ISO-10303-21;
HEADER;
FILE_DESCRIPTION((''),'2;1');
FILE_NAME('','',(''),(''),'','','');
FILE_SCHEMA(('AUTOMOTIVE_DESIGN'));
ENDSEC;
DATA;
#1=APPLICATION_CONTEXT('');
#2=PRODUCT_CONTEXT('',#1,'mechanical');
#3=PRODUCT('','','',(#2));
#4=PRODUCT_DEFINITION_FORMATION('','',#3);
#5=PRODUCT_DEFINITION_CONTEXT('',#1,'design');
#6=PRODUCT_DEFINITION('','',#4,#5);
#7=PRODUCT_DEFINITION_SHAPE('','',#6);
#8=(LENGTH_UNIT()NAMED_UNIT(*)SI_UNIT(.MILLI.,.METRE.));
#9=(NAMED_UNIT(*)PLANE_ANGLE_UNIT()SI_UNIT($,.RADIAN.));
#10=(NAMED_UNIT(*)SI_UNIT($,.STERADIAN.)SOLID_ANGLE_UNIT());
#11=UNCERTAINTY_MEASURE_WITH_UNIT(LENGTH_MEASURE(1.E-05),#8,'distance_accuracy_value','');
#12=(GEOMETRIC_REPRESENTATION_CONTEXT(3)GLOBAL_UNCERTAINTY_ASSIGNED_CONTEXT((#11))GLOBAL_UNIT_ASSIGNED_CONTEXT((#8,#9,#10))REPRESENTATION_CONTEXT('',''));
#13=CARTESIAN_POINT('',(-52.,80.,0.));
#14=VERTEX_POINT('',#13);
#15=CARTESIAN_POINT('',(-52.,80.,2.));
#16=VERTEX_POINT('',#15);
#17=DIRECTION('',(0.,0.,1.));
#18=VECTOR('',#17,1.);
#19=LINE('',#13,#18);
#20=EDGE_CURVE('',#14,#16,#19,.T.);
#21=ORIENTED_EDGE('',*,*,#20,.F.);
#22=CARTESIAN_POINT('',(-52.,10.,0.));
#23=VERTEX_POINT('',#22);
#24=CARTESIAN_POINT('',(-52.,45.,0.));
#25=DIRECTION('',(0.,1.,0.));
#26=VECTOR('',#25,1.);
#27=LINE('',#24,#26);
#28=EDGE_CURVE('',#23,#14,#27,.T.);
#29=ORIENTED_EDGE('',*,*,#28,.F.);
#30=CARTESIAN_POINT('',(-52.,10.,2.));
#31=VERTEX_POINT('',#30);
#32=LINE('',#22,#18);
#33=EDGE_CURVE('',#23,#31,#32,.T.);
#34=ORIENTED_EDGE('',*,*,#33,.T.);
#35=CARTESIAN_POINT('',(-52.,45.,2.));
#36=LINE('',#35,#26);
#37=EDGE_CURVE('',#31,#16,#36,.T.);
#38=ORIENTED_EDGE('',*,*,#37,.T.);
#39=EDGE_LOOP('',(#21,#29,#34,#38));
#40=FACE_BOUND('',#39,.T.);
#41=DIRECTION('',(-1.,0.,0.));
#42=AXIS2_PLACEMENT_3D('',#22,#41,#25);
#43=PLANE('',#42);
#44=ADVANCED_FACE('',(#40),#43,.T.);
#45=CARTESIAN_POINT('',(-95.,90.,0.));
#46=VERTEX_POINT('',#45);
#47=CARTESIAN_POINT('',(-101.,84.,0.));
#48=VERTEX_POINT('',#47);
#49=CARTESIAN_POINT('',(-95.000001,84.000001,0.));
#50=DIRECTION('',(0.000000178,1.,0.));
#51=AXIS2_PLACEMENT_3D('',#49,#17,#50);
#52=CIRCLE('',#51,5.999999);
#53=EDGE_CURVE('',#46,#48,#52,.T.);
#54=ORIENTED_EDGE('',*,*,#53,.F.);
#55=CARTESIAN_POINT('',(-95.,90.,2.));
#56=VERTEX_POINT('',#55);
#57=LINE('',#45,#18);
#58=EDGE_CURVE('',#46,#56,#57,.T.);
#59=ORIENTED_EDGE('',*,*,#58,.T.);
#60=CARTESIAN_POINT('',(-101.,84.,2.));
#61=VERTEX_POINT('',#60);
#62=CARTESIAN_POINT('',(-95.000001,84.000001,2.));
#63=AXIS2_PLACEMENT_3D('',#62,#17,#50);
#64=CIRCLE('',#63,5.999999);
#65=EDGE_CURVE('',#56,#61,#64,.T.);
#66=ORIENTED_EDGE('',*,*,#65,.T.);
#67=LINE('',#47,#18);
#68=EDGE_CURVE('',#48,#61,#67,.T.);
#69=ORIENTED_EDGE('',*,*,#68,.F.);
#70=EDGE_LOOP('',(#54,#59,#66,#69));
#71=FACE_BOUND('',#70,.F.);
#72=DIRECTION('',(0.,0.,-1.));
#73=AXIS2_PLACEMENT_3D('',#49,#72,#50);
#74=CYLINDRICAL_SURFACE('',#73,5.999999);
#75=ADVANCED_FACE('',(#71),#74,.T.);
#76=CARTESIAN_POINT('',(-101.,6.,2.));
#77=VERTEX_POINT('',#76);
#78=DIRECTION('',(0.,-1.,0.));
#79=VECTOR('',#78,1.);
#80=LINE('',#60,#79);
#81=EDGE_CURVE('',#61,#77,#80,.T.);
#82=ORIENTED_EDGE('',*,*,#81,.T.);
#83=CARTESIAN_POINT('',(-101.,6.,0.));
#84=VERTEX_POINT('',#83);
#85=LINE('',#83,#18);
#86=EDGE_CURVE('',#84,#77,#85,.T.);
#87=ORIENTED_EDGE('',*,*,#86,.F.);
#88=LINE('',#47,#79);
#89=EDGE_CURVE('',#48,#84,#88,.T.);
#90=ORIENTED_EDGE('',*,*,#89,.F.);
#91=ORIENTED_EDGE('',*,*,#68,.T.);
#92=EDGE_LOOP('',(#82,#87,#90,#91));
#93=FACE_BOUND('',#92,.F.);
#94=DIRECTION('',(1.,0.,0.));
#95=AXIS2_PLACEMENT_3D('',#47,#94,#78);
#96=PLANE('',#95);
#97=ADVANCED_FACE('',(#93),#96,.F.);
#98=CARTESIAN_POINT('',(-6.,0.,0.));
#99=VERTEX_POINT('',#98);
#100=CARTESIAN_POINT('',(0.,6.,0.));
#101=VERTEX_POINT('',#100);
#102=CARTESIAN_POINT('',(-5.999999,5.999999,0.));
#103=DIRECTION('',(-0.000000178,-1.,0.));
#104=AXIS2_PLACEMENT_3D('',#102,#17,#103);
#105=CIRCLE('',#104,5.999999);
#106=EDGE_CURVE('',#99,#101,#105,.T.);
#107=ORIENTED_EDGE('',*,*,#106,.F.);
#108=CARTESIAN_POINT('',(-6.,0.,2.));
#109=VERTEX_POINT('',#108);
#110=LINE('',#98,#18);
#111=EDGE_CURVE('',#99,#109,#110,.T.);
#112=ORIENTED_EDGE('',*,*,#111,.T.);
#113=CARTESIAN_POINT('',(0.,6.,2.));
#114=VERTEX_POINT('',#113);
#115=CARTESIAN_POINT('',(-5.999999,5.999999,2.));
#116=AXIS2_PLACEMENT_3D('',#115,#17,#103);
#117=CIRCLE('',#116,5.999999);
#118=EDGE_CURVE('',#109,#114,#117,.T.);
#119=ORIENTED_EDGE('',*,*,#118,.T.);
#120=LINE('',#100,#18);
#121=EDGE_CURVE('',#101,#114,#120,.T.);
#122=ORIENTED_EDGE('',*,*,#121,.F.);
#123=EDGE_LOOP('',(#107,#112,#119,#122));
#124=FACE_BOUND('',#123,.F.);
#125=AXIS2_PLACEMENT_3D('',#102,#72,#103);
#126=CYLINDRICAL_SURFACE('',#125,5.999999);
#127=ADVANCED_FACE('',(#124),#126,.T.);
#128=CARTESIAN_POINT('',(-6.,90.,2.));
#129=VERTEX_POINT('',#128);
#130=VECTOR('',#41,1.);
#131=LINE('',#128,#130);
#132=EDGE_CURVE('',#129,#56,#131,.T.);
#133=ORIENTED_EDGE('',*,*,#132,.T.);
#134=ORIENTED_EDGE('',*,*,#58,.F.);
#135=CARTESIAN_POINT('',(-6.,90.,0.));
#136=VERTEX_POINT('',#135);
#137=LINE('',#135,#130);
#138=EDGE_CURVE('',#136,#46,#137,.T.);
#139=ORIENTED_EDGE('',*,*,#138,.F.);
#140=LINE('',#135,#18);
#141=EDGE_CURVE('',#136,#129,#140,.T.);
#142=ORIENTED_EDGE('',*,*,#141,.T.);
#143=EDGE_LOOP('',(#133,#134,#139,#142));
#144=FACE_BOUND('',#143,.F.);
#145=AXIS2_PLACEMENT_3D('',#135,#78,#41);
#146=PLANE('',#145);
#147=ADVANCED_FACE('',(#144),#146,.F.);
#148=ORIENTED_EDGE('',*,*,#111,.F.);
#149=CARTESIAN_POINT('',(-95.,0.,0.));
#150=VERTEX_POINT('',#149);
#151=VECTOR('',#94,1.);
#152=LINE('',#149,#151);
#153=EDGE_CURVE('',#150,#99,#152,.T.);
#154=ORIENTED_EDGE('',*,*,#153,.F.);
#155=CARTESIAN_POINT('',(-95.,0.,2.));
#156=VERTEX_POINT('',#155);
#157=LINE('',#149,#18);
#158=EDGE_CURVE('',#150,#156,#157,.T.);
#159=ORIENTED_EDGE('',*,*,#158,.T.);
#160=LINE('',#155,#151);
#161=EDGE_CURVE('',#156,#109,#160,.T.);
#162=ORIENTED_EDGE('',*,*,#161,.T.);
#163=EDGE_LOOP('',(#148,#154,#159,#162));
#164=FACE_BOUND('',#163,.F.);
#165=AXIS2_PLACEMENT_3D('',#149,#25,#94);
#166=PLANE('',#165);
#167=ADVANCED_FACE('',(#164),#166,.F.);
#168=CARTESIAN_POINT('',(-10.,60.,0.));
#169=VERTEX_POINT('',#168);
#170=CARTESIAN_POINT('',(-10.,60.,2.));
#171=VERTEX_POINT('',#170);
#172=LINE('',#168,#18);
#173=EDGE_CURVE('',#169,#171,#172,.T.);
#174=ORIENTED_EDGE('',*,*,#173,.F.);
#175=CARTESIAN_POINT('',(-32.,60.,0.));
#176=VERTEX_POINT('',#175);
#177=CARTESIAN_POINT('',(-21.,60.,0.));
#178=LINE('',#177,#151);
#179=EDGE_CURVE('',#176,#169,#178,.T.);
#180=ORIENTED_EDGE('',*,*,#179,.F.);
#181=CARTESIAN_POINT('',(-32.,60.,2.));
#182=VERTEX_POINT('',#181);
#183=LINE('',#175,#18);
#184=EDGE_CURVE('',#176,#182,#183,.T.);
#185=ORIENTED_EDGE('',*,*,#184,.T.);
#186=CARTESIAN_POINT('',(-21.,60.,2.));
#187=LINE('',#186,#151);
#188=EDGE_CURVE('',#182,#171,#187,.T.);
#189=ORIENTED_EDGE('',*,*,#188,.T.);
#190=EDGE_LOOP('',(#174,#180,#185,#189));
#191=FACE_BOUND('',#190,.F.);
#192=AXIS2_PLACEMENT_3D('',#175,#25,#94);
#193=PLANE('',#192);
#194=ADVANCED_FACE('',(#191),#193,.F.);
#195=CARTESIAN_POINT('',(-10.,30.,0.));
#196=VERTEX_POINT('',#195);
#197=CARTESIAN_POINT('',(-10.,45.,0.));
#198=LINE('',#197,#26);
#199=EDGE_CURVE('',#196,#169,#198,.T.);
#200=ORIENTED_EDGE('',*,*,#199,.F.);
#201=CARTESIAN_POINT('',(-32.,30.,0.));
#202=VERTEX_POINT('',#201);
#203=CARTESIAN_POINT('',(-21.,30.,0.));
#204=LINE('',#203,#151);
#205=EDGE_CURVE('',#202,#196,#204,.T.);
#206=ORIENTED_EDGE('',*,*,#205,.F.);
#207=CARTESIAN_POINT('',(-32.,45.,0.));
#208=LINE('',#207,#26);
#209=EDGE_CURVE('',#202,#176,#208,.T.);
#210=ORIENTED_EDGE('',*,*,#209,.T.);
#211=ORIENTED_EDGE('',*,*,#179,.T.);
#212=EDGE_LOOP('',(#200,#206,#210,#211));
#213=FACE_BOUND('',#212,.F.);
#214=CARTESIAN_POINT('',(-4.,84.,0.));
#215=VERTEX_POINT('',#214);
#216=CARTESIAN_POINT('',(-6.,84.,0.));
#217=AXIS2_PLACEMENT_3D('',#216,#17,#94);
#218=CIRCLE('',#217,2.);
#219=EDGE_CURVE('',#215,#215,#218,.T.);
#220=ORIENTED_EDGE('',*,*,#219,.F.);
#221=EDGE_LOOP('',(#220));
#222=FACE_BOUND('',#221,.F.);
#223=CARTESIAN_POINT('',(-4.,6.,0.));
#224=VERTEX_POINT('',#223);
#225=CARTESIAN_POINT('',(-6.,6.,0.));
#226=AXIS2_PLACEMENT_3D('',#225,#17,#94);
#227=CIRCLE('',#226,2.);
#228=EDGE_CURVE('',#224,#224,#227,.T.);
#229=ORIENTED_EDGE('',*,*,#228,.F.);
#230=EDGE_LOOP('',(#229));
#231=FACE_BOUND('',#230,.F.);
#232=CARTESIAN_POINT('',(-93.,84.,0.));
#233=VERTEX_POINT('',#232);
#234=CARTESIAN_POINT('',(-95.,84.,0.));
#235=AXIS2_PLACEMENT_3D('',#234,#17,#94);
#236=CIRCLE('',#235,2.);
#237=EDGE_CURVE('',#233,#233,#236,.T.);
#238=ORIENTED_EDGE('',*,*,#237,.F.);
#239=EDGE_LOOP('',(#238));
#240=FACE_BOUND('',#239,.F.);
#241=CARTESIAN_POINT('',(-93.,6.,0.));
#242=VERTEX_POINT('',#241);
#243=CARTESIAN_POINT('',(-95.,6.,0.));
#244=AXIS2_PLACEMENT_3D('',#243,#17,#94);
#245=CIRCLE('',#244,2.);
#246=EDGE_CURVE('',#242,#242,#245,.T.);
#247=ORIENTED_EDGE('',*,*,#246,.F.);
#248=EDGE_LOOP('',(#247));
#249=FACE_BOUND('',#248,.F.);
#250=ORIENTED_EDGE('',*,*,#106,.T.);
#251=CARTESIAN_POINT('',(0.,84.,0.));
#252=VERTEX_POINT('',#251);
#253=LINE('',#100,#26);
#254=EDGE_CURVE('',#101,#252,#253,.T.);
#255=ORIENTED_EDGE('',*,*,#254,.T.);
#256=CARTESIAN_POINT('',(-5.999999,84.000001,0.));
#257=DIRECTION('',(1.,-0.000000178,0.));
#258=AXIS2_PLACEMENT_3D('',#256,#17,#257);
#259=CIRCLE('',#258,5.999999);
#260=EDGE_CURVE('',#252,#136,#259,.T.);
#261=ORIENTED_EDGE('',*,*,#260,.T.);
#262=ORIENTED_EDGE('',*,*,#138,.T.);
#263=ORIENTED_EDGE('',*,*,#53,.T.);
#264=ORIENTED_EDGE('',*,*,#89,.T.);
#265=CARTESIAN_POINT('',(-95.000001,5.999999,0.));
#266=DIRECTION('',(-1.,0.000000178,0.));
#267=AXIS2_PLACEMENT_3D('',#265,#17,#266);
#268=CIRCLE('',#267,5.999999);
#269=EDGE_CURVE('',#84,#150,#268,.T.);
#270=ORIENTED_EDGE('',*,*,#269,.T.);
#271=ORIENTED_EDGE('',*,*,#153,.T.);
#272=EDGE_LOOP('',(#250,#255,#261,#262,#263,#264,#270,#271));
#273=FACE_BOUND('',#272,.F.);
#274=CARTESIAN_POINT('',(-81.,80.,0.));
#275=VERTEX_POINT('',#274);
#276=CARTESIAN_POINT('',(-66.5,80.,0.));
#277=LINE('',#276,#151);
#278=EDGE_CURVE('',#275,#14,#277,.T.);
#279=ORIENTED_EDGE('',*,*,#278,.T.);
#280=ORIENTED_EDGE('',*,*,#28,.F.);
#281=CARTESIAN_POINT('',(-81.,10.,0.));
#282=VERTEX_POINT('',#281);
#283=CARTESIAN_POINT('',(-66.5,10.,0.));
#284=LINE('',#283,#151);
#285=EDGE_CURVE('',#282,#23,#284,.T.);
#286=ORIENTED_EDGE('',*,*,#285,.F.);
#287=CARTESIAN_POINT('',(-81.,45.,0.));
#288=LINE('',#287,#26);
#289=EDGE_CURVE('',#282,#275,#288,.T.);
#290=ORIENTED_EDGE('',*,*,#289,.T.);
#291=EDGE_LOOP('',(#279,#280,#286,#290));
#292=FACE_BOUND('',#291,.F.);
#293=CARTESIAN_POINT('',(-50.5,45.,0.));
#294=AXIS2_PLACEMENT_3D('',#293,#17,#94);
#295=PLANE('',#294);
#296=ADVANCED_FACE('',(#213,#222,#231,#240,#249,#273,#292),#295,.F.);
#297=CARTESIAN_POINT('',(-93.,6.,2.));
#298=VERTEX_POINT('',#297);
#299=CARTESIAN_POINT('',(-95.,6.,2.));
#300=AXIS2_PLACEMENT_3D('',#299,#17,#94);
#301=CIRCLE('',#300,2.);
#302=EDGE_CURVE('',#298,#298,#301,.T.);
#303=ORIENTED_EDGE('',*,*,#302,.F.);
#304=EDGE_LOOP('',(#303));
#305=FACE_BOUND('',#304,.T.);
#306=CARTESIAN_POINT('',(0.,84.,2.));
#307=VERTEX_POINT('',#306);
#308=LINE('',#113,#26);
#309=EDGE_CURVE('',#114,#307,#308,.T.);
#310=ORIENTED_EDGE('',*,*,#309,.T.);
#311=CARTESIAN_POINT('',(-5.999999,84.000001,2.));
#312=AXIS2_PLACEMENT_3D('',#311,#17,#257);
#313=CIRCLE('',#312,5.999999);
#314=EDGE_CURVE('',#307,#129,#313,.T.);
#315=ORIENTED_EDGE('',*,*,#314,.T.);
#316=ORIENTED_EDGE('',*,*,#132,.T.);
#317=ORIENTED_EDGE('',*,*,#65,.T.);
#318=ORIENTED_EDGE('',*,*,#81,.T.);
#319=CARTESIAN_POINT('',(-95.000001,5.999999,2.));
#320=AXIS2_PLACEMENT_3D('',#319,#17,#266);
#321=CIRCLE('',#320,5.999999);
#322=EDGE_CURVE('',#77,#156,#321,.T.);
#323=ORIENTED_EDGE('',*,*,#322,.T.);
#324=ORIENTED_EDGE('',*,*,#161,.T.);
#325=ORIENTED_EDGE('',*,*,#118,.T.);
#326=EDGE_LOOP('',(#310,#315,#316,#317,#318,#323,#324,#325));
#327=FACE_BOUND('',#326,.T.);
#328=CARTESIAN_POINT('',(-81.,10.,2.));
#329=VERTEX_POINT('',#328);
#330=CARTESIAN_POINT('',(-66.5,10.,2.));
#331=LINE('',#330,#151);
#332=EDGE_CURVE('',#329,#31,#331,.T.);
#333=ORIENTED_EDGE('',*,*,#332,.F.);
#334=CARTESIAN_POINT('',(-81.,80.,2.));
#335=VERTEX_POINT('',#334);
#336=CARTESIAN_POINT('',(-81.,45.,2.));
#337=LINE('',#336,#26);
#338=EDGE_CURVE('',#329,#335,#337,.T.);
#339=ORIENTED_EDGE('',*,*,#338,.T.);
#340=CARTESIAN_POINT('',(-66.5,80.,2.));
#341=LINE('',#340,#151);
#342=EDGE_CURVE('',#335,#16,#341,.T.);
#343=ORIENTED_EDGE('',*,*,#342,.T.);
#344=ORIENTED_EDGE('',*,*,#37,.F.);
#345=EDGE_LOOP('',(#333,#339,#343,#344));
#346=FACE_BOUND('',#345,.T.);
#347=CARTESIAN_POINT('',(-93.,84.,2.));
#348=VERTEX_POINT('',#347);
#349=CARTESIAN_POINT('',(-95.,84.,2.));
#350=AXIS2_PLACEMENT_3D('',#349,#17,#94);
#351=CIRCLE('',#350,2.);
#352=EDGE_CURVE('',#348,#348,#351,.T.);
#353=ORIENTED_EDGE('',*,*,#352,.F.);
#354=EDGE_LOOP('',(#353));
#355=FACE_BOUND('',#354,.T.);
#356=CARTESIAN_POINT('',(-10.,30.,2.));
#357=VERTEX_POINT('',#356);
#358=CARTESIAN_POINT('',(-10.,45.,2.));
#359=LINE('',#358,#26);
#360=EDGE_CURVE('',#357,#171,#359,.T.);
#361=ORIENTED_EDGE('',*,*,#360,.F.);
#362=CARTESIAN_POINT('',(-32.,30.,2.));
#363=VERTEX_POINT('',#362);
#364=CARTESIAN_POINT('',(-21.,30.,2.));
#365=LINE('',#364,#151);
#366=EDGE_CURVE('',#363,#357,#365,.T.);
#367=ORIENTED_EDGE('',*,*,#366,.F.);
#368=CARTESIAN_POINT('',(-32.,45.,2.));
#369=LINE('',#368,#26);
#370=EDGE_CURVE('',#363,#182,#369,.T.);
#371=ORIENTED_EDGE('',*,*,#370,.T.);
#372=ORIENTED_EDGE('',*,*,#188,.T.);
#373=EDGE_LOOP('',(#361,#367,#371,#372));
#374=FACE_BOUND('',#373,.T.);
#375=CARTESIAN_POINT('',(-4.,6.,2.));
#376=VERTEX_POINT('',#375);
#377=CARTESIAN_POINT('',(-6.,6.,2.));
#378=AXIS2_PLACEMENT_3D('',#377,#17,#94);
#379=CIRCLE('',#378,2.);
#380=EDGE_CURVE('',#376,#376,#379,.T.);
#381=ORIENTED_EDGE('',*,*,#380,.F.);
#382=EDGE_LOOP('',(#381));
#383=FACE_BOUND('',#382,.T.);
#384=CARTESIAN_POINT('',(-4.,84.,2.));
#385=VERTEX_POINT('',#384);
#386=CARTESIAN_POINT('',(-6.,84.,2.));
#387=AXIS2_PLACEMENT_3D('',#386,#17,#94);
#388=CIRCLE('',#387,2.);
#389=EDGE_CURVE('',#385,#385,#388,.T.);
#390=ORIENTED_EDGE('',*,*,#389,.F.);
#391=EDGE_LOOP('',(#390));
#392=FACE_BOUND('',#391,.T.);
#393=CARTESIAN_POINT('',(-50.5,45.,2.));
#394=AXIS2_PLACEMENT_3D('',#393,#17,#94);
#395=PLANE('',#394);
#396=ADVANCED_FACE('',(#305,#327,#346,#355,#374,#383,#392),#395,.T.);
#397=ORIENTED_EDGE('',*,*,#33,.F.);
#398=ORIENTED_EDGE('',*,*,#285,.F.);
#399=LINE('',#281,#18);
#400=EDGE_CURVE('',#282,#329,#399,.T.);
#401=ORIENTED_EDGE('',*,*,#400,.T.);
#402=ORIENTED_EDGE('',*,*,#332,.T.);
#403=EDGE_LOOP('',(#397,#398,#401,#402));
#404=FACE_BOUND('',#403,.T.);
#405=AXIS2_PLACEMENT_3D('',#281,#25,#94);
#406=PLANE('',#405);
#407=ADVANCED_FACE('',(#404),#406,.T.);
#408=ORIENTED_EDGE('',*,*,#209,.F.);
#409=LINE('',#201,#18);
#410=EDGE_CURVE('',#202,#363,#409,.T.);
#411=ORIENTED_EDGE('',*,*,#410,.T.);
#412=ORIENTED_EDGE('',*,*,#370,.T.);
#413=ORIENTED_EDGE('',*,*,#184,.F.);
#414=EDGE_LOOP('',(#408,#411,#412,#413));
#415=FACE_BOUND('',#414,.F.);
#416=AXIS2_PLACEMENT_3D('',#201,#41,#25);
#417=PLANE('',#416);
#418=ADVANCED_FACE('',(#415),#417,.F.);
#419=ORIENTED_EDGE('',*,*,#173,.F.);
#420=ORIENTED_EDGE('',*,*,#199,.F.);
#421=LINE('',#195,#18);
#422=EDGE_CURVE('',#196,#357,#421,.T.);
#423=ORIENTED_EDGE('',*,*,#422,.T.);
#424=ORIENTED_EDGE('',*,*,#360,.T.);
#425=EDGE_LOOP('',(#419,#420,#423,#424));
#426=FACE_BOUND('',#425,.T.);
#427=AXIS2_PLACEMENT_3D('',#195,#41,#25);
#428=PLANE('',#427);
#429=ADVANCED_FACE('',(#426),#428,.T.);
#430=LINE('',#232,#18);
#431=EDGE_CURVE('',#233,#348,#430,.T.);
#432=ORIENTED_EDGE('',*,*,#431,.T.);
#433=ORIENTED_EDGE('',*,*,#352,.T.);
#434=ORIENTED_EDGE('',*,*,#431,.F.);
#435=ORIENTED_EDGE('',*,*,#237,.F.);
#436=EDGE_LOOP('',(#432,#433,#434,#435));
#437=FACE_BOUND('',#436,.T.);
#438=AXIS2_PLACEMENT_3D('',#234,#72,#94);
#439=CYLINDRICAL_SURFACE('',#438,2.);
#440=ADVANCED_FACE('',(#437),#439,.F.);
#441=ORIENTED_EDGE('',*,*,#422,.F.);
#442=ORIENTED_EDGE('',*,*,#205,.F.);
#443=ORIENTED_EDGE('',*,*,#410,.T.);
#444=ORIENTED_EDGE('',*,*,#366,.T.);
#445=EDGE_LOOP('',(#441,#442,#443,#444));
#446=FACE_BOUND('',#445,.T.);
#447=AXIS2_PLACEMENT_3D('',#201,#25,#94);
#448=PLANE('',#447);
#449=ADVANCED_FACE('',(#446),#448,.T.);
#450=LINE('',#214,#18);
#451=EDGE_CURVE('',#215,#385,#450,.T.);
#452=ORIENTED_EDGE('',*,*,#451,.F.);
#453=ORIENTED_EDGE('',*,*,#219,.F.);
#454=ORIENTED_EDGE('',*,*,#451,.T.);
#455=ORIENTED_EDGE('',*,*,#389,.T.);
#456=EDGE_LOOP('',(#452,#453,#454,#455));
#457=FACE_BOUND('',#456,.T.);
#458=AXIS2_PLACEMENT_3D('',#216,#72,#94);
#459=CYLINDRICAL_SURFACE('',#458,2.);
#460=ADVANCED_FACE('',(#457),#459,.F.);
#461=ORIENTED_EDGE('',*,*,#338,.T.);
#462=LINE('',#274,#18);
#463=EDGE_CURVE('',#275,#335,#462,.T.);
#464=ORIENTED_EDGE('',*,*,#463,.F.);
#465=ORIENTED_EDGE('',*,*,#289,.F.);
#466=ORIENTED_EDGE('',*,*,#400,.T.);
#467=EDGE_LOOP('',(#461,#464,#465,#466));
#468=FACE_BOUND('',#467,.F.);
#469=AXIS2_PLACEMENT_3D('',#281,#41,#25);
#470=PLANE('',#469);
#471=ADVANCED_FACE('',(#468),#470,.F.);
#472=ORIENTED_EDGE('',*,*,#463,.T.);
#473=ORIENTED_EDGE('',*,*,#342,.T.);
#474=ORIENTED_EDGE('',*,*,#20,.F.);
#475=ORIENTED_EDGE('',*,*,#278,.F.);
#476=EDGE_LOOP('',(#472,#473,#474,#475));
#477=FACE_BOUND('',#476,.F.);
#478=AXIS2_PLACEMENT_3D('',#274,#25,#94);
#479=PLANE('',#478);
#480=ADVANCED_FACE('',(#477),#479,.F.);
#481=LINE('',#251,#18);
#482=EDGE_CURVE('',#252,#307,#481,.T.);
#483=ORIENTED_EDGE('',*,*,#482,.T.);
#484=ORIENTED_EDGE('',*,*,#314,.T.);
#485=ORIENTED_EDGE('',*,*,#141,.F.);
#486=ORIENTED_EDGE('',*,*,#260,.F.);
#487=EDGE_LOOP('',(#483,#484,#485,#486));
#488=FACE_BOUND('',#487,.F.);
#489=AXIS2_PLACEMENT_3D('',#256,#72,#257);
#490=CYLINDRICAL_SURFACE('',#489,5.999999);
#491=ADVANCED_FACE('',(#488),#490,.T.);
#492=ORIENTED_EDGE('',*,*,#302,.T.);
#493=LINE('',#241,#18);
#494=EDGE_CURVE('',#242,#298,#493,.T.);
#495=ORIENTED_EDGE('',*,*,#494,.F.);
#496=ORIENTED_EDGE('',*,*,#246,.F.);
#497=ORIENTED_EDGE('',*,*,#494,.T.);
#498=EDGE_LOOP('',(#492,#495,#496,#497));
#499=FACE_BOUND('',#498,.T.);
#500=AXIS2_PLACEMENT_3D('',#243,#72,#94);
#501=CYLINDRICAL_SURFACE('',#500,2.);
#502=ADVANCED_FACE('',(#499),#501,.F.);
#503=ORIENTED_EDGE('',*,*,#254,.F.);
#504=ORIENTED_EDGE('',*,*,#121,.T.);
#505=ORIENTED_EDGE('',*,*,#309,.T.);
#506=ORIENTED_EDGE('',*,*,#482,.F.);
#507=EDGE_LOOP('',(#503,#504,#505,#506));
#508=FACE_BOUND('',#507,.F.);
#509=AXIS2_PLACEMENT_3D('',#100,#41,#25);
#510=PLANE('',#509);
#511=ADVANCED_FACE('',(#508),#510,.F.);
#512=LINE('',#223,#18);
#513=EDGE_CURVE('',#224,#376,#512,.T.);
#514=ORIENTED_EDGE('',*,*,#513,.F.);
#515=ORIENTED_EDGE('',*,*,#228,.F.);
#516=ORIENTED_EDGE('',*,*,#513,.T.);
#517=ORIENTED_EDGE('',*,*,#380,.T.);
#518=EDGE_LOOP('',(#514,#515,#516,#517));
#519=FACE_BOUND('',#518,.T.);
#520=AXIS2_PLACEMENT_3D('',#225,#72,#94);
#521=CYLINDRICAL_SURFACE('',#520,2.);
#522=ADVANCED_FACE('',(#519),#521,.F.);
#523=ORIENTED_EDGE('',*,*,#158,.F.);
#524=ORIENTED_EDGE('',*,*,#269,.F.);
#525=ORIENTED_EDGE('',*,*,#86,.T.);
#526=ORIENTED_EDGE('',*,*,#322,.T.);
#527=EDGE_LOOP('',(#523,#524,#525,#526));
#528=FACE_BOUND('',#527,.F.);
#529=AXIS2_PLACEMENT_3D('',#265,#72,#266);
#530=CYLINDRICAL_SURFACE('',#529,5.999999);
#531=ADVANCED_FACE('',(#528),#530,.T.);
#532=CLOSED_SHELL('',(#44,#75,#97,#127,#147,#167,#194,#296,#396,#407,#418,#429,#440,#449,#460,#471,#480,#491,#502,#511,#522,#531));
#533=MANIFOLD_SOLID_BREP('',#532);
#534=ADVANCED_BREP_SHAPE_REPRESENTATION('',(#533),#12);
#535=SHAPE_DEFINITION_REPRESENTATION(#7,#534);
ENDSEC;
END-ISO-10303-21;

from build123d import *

# Parameters (mm, degrees)
F0_R     = 2
F0_W     = 29
F0_H     = 70
F0_W_2   = 22
F0_H_2   = 30
F1_DEPTH = 2


with BuildPart() as f1:
    # F0 (on Top) → F1 (new body)
    with BuildSketch(Plane.XY):
        with BuildLine():
            Line((-95, 0), (-6, 0))
            ThreePointArc((-6, 0), (-1.757359, 1.757359), (0, 6))
            Line((0, 6), (0, 84))
            ThreePointArc((0, 84), (-1.757359, 88.242641), (-6, 90))
            Line((-6, 90), (-95, 90))
            ThreePointArc((-95, 90), (-99.242641, 88.242641), (-101, 84))
            Line((-101, 84), (-101, 6))
            ThreePointArc((-101, 6), (-99.242641, 1.757359), (-95, 0))
        make_face()
        with Locations((-95, 6)):
            Circle(F0_R, mode=Mode.SUBTRACT)
        with Locations((-6, 6)):
            Circle(F0_R, mode=Mode.SUBTRACT)
        with Locations((-66.5, 45)):
            Rectangle(F0_W, F0_H, mode=Mode.SUBTRACT)
        with Locations((-95, 84)):
            Circle(F0_R, mode=Mode.SUBTRACT)
        with Locations((-21, 45)):
            Rectangle(F0_W_2, F0_H_2, mode=Mode.SUBTRACT)
        with Locations((-6, 84)):
            Circle(F0_R, mode=Mode.SUBTRACT)
    extrude(amount=F1_DEPTH)


solid = f1.part
